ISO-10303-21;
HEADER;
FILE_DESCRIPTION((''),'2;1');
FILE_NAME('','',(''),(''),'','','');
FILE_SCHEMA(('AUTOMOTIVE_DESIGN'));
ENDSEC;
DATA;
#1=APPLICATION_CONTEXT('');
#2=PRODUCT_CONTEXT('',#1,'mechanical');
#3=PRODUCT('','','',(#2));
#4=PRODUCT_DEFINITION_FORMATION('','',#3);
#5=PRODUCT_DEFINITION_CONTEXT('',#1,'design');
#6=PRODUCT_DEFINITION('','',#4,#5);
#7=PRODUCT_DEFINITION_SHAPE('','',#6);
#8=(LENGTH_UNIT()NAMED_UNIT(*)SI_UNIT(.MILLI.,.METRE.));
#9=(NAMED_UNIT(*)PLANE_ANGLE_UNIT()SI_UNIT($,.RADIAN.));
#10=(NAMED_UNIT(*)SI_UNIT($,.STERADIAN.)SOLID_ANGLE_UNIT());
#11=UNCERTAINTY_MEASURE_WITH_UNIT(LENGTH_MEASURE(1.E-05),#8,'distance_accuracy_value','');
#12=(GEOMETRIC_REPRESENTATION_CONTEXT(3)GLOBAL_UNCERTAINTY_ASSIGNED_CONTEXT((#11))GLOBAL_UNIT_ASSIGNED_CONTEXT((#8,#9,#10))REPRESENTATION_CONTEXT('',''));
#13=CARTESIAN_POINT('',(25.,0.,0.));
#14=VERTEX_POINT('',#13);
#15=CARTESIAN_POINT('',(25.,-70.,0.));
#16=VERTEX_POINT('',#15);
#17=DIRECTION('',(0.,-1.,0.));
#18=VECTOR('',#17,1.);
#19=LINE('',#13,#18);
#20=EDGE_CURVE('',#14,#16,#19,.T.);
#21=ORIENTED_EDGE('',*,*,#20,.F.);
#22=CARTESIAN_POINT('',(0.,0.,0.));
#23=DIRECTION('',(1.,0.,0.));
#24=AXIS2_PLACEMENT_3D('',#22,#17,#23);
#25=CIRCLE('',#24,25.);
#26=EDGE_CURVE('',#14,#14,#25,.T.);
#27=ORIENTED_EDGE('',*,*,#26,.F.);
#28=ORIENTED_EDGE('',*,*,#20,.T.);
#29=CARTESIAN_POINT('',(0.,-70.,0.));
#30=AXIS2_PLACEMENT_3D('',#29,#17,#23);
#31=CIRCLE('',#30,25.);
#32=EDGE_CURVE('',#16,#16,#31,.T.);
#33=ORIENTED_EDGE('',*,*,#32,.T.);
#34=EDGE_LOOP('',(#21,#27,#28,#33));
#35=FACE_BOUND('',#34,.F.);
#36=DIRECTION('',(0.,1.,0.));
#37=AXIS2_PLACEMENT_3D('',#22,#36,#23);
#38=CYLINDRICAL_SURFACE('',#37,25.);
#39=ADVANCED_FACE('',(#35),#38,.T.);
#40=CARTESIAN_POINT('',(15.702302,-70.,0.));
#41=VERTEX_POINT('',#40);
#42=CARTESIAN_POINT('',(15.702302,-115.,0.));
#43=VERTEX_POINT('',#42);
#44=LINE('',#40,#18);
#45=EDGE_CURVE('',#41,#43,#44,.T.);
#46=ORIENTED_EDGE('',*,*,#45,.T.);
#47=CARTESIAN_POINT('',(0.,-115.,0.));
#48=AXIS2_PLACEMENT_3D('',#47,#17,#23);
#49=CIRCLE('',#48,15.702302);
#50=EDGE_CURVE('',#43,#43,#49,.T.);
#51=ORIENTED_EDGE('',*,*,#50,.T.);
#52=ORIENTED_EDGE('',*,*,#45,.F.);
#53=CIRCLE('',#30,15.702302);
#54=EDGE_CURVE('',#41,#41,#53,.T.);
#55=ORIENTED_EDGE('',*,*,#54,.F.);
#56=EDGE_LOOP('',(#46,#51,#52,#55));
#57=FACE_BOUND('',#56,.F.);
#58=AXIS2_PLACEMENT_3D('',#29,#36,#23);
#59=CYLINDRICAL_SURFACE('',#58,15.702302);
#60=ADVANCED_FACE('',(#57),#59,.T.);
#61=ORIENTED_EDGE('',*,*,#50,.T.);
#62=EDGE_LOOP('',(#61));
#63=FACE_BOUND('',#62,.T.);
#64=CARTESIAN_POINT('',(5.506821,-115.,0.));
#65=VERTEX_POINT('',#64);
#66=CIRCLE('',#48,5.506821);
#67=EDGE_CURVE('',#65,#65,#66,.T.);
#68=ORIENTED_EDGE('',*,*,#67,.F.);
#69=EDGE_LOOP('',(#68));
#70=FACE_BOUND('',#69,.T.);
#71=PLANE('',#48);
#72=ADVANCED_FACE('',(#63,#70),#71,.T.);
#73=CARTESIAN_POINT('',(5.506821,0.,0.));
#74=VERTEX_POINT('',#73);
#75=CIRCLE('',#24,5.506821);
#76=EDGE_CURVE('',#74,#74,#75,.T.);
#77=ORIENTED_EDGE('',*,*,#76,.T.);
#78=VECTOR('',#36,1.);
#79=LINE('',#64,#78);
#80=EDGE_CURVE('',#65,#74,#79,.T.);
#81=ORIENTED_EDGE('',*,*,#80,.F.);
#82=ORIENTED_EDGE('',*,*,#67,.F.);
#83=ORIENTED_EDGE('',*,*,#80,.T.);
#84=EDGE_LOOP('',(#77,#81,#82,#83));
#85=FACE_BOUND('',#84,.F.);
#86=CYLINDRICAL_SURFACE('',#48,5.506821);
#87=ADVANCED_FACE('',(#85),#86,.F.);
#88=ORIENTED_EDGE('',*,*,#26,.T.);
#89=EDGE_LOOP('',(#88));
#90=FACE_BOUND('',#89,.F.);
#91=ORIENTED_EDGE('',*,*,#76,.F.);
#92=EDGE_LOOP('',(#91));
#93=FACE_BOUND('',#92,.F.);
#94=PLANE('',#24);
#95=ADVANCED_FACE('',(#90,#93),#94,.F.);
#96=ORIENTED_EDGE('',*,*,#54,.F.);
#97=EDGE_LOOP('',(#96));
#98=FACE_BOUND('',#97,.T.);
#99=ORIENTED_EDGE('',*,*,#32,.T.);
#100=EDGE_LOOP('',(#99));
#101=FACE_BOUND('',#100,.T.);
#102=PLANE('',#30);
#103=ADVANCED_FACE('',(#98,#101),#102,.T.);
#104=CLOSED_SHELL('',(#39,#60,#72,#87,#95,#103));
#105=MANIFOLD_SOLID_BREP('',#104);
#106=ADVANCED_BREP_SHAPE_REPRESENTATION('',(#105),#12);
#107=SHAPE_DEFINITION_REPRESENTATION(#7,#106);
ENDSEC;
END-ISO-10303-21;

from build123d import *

# Parameters (mm, degrees)
F0_R     = 25
F1_DEPTH = 70
F2_R     = 15.702302
F3_DEPTH = 45
F4_R     = 5.506821
F5_DEPTH = 115.001


with BuildPart() as f1:
    # F0 (on Front) → F1 (new body)
    with BuildSketch(Plane.XZ):
        Circle(F0_R)
    extrude(amount=F1_DEPTH)

    # F2 (on face) → F3 (join)
    with BuildSketch(Plane.XZ.offset(70)):
        Circle(F2_R)
    extrude(amount=F3_DEPTH)

    # F4 (on face) → F5 (cut, through all)
    with BuildSketch(Plane.XZ.offset(115)):
        Circle(F4_R)
        Polygon((-39.301679, 0), (-54.846372, 51.766761), (-54.846372, 0), align=None)
    extrude(amount=-F5_DEPTH, mode=Mode.SUBTRACT)


solid = f1.part
